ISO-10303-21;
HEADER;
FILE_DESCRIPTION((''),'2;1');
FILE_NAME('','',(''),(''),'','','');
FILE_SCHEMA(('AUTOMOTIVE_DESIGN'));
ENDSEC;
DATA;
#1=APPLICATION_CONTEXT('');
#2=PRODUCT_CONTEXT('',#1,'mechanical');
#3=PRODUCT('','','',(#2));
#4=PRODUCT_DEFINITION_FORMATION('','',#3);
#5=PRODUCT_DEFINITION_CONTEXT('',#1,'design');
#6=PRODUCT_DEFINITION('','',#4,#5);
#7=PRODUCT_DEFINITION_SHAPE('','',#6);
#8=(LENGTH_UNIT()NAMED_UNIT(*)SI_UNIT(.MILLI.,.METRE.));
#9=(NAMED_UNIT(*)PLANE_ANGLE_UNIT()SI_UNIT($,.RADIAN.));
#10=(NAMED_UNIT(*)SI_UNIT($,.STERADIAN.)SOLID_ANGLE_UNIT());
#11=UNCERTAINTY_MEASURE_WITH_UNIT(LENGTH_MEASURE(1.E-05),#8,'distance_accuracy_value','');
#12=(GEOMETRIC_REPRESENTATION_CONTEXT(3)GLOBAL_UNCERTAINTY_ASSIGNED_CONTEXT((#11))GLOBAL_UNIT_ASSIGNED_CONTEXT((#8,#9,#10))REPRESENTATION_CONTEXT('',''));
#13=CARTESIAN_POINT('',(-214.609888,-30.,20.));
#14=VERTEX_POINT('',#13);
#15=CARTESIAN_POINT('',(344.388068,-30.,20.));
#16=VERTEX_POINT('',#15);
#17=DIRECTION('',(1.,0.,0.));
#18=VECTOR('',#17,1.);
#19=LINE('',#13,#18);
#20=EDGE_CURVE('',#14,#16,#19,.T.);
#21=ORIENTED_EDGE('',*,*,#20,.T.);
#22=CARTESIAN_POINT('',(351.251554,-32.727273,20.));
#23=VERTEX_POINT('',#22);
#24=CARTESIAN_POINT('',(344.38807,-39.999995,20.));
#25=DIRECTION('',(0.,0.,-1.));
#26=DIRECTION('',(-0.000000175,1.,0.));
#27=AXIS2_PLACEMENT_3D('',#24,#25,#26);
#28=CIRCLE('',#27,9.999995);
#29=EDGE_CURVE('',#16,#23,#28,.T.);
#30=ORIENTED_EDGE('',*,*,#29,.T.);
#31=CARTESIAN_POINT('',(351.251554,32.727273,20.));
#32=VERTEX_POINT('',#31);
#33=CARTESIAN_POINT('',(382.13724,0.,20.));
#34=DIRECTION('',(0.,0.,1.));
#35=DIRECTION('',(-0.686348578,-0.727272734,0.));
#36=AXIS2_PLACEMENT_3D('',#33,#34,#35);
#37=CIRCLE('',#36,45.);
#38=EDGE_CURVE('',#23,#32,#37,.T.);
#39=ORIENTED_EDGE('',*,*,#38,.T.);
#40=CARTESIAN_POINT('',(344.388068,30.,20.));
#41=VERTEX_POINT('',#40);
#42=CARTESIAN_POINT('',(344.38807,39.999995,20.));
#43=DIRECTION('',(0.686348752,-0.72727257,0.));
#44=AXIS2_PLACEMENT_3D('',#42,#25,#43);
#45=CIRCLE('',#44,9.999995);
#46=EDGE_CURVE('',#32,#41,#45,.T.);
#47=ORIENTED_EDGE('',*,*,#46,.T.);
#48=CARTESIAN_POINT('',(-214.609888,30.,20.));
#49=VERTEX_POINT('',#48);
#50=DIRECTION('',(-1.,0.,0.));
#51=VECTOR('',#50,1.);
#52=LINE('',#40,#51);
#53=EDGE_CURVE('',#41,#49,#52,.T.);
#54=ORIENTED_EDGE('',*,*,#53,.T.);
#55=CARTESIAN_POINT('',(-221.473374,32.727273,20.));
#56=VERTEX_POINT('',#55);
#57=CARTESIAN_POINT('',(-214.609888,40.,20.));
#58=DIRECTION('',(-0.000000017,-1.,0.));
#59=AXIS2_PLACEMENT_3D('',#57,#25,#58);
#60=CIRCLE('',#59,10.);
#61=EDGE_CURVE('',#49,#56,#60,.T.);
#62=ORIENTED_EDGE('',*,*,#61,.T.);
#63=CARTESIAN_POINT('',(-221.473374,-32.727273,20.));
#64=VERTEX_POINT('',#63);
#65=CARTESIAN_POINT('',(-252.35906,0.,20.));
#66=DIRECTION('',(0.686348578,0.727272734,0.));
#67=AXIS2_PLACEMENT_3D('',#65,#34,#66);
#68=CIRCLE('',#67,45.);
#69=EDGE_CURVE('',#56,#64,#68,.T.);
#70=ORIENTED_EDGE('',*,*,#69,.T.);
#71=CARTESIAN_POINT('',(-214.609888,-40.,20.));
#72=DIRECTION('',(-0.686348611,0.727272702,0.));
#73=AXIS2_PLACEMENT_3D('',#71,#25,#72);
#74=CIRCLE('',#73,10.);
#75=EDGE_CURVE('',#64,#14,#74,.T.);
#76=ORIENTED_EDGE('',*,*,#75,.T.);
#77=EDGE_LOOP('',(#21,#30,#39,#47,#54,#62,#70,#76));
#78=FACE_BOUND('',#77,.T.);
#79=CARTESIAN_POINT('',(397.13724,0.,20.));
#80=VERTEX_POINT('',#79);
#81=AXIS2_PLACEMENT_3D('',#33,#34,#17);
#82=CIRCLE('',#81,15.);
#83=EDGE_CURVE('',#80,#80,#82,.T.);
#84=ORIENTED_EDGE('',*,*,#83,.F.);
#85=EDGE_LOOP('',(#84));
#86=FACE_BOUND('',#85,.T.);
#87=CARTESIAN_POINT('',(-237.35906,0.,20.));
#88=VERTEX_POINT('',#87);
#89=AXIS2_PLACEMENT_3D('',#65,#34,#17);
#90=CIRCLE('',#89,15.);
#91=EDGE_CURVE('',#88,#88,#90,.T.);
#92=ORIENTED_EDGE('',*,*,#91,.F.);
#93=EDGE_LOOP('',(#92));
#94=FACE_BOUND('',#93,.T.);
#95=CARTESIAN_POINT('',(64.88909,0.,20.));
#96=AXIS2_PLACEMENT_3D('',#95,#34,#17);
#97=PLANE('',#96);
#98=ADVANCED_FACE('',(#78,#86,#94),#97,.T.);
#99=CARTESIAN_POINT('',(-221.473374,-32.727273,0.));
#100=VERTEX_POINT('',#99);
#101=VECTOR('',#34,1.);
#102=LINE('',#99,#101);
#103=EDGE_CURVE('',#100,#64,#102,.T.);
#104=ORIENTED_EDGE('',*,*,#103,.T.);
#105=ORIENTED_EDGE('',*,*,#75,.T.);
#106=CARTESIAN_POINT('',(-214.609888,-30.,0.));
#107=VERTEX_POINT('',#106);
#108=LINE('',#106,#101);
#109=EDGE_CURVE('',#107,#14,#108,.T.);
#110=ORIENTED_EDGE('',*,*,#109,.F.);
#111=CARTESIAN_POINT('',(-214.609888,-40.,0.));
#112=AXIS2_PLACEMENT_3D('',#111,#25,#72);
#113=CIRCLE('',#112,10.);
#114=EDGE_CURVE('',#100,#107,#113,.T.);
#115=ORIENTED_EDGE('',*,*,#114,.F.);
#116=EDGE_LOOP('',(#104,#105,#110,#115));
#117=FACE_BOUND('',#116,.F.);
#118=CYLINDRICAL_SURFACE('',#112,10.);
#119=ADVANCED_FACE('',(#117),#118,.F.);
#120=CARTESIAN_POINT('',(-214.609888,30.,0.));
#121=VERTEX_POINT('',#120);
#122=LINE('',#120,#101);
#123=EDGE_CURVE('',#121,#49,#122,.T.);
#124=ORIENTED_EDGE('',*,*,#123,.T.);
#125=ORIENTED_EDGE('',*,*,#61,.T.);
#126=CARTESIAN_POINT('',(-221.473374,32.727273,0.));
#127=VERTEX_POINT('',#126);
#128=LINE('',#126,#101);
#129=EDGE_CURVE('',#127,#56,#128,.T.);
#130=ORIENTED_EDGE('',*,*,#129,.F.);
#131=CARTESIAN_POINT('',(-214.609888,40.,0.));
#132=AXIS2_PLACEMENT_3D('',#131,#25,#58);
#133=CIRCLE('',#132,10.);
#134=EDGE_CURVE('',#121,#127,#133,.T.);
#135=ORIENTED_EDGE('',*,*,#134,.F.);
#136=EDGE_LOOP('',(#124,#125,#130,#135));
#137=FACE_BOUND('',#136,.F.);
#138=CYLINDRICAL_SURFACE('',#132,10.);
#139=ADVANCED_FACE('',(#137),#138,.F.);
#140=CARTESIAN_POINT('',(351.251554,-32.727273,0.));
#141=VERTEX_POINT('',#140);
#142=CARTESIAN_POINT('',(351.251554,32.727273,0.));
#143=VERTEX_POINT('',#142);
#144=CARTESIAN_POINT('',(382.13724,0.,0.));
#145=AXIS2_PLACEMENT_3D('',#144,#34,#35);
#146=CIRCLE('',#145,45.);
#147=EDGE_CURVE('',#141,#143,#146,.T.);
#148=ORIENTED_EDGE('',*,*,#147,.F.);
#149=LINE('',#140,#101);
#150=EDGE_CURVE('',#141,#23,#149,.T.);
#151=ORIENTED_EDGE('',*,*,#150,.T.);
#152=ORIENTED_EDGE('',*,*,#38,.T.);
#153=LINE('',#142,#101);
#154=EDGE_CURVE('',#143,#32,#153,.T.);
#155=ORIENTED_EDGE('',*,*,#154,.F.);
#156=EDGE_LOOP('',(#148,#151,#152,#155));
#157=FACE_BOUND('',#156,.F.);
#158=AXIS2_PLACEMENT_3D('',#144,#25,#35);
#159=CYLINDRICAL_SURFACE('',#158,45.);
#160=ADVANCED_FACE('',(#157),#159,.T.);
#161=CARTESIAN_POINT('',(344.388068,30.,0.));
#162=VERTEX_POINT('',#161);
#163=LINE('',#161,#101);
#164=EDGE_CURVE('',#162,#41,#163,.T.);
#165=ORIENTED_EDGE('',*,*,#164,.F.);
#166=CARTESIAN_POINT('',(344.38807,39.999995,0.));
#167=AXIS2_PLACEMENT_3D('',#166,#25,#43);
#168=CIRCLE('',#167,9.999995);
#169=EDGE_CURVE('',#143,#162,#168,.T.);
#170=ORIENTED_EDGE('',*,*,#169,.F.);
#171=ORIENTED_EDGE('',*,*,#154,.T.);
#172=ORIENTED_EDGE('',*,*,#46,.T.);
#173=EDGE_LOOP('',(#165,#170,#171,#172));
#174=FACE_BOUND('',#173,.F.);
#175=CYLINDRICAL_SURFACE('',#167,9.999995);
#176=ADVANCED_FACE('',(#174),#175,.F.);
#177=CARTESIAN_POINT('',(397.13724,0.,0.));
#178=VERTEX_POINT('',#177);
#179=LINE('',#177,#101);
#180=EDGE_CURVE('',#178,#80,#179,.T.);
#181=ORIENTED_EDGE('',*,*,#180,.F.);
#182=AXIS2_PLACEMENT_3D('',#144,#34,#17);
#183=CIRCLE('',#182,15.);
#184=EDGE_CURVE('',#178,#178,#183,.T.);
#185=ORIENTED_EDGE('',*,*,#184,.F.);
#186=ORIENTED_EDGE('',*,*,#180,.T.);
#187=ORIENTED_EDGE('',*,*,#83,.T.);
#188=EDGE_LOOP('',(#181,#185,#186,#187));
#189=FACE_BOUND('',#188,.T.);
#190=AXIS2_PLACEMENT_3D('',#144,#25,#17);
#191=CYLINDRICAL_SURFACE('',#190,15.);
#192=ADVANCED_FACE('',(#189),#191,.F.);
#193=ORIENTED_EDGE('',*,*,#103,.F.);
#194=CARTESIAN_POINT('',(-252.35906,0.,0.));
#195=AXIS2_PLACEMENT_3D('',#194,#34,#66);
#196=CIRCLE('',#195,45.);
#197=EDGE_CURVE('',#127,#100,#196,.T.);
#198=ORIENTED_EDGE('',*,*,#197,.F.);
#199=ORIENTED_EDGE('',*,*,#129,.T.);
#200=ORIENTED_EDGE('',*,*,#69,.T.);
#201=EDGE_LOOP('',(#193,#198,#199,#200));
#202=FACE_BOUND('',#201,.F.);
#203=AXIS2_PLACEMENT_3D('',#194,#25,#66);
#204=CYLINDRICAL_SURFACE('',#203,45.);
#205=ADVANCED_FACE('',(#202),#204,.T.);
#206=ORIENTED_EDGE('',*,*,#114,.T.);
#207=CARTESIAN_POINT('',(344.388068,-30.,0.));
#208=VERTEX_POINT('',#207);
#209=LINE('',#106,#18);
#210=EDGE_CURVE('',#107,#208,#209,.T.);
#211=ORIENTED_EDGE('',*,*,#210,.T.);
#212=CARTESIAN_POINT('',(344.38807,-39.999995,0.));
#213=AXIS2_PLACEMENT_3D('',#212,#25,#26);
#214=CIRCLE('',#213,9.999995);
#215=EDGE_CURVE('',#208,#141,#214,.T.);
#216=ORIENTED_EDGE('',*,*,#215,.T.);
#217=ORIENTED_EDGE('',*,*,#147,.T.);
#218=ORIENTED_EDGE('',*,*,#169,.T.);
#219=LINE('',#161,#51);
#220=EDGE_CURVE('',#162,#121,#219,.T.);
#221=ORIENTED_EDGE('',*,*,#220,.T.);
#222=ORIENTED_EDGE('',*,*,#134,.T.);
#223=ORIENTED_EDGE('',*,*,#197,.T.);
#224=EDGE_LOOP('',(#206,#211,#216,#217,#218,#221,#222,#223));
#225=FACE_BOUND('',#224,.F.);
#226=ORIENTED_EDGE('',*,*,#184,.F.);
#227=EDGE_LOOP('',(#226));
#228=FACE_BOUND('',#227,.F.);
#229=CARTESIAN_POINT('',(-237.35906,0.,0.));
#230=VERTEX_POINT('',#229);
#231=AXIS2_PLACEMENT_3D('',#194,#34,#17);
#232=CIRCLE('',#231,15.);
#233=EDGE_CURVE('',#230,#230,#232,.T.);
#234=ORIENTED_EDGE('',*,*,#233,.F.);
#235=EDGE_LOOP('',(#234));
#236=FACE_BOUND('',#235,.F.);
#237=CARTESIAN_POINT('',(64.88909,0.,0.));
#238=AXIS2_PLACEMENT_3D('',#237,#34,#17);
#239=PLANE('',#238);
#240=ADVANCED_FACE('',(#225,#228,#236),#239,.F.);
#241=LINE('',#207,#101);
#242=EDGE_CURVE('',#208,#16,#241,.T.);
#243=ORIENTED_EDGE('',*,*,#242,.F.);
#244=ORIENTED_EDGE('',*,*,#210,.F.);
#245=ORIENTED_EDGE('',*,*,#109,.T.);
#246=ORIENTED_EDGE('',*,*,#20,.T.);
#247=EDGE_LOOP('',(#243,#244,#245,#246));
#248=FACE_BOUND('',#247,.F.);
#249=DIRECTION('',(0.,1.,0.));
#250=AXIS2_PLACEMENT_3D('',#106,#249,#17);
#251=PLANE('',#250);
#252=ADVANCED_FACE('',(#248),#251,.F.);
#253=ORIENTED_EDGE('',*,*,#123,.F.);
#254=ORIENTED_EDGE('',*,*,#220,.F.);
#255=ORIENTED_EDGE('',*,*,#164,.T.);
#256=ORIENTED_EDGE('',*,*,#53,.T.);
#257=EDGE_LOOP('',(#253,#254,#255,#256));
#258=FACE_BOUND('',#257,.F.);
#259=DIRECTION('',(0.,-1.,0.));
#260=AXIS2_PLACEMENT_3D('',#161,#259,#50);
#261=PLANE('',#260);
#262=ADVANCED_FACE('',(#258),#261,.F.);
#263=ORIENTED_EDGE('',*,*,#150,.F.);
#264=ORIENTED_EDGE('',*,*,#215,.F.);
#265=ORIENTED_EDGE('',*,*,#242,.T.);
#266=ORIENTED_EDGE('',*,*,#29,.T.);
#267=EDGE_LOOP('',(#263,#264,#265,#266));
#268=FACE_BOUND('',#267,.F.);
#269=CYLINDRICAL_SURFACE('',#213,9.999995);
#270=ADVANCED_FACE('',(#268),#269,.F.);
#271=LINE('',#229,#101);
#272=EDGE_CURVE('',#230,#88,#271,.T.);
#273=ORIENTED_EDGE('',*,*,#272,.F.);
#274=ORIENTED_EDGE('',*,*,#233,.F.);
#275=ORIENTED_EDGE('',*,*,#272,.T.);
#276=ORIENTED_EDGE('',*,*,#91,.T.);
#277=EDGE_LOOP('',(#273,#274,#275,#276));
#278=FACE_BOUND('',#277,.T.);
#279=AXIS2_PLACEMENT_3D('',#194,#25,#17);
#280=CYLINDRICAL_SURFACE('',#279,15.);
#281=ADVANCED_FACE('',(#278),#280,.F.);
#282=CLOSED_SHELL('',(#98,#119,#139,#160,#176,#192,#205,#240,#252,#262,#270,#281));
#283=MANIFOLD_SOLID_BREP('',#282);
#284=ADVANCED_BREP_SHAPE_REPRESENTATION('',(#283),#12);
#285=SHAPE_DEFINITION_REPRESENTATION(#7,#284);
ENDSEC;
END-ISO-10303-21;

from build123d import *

# Parameters (mm, degrees)
F0_R     = 15
F1_DEPTH = 20


with BuildPart() as f1:
    # F0 (on Top) → F1 (new body)
    with BuildSketch(Plane.XY):
        with BuildLine():
            ThreePointArc((344.388068, -30), (348.080813, -30.706796), (351.251554, -32.727273))
            ThreePointArc((351.251554, -32.727273), (427.13724, 0), (351.251554, 32.727273))
            ThreePointArc((351.251554, 32.727273), (348.080813, 30.706796), (344.388068, 30))
            Line((344.388068, 30), (-214.609888, 30))
            ThreePointArc((-214.609888, 30), (-218.302632, 30.706796), (-221.473374, 32.727273))
            ThreePointArc((-221.473374, 32.727273), (-297.35906, 0), (-221.473374, -32.727273))
            ThreePointArc((-221.473374, -32.727273), (-218.302632, -30.706796), (-214.609888, -30))
            Line((-214.609888, -30), (344.388068, -30))
        make_face()
        with Locations((-252.35906, 0)):
            Circle(F0_R, mode=Mode.SUBTRACT)
        with Locations((382.13724, 0)):
            Circle(F0_R, mode=Mode.SUBTRACT)
    extrude(amount=F1_DEPTH)


solid = f1.part
